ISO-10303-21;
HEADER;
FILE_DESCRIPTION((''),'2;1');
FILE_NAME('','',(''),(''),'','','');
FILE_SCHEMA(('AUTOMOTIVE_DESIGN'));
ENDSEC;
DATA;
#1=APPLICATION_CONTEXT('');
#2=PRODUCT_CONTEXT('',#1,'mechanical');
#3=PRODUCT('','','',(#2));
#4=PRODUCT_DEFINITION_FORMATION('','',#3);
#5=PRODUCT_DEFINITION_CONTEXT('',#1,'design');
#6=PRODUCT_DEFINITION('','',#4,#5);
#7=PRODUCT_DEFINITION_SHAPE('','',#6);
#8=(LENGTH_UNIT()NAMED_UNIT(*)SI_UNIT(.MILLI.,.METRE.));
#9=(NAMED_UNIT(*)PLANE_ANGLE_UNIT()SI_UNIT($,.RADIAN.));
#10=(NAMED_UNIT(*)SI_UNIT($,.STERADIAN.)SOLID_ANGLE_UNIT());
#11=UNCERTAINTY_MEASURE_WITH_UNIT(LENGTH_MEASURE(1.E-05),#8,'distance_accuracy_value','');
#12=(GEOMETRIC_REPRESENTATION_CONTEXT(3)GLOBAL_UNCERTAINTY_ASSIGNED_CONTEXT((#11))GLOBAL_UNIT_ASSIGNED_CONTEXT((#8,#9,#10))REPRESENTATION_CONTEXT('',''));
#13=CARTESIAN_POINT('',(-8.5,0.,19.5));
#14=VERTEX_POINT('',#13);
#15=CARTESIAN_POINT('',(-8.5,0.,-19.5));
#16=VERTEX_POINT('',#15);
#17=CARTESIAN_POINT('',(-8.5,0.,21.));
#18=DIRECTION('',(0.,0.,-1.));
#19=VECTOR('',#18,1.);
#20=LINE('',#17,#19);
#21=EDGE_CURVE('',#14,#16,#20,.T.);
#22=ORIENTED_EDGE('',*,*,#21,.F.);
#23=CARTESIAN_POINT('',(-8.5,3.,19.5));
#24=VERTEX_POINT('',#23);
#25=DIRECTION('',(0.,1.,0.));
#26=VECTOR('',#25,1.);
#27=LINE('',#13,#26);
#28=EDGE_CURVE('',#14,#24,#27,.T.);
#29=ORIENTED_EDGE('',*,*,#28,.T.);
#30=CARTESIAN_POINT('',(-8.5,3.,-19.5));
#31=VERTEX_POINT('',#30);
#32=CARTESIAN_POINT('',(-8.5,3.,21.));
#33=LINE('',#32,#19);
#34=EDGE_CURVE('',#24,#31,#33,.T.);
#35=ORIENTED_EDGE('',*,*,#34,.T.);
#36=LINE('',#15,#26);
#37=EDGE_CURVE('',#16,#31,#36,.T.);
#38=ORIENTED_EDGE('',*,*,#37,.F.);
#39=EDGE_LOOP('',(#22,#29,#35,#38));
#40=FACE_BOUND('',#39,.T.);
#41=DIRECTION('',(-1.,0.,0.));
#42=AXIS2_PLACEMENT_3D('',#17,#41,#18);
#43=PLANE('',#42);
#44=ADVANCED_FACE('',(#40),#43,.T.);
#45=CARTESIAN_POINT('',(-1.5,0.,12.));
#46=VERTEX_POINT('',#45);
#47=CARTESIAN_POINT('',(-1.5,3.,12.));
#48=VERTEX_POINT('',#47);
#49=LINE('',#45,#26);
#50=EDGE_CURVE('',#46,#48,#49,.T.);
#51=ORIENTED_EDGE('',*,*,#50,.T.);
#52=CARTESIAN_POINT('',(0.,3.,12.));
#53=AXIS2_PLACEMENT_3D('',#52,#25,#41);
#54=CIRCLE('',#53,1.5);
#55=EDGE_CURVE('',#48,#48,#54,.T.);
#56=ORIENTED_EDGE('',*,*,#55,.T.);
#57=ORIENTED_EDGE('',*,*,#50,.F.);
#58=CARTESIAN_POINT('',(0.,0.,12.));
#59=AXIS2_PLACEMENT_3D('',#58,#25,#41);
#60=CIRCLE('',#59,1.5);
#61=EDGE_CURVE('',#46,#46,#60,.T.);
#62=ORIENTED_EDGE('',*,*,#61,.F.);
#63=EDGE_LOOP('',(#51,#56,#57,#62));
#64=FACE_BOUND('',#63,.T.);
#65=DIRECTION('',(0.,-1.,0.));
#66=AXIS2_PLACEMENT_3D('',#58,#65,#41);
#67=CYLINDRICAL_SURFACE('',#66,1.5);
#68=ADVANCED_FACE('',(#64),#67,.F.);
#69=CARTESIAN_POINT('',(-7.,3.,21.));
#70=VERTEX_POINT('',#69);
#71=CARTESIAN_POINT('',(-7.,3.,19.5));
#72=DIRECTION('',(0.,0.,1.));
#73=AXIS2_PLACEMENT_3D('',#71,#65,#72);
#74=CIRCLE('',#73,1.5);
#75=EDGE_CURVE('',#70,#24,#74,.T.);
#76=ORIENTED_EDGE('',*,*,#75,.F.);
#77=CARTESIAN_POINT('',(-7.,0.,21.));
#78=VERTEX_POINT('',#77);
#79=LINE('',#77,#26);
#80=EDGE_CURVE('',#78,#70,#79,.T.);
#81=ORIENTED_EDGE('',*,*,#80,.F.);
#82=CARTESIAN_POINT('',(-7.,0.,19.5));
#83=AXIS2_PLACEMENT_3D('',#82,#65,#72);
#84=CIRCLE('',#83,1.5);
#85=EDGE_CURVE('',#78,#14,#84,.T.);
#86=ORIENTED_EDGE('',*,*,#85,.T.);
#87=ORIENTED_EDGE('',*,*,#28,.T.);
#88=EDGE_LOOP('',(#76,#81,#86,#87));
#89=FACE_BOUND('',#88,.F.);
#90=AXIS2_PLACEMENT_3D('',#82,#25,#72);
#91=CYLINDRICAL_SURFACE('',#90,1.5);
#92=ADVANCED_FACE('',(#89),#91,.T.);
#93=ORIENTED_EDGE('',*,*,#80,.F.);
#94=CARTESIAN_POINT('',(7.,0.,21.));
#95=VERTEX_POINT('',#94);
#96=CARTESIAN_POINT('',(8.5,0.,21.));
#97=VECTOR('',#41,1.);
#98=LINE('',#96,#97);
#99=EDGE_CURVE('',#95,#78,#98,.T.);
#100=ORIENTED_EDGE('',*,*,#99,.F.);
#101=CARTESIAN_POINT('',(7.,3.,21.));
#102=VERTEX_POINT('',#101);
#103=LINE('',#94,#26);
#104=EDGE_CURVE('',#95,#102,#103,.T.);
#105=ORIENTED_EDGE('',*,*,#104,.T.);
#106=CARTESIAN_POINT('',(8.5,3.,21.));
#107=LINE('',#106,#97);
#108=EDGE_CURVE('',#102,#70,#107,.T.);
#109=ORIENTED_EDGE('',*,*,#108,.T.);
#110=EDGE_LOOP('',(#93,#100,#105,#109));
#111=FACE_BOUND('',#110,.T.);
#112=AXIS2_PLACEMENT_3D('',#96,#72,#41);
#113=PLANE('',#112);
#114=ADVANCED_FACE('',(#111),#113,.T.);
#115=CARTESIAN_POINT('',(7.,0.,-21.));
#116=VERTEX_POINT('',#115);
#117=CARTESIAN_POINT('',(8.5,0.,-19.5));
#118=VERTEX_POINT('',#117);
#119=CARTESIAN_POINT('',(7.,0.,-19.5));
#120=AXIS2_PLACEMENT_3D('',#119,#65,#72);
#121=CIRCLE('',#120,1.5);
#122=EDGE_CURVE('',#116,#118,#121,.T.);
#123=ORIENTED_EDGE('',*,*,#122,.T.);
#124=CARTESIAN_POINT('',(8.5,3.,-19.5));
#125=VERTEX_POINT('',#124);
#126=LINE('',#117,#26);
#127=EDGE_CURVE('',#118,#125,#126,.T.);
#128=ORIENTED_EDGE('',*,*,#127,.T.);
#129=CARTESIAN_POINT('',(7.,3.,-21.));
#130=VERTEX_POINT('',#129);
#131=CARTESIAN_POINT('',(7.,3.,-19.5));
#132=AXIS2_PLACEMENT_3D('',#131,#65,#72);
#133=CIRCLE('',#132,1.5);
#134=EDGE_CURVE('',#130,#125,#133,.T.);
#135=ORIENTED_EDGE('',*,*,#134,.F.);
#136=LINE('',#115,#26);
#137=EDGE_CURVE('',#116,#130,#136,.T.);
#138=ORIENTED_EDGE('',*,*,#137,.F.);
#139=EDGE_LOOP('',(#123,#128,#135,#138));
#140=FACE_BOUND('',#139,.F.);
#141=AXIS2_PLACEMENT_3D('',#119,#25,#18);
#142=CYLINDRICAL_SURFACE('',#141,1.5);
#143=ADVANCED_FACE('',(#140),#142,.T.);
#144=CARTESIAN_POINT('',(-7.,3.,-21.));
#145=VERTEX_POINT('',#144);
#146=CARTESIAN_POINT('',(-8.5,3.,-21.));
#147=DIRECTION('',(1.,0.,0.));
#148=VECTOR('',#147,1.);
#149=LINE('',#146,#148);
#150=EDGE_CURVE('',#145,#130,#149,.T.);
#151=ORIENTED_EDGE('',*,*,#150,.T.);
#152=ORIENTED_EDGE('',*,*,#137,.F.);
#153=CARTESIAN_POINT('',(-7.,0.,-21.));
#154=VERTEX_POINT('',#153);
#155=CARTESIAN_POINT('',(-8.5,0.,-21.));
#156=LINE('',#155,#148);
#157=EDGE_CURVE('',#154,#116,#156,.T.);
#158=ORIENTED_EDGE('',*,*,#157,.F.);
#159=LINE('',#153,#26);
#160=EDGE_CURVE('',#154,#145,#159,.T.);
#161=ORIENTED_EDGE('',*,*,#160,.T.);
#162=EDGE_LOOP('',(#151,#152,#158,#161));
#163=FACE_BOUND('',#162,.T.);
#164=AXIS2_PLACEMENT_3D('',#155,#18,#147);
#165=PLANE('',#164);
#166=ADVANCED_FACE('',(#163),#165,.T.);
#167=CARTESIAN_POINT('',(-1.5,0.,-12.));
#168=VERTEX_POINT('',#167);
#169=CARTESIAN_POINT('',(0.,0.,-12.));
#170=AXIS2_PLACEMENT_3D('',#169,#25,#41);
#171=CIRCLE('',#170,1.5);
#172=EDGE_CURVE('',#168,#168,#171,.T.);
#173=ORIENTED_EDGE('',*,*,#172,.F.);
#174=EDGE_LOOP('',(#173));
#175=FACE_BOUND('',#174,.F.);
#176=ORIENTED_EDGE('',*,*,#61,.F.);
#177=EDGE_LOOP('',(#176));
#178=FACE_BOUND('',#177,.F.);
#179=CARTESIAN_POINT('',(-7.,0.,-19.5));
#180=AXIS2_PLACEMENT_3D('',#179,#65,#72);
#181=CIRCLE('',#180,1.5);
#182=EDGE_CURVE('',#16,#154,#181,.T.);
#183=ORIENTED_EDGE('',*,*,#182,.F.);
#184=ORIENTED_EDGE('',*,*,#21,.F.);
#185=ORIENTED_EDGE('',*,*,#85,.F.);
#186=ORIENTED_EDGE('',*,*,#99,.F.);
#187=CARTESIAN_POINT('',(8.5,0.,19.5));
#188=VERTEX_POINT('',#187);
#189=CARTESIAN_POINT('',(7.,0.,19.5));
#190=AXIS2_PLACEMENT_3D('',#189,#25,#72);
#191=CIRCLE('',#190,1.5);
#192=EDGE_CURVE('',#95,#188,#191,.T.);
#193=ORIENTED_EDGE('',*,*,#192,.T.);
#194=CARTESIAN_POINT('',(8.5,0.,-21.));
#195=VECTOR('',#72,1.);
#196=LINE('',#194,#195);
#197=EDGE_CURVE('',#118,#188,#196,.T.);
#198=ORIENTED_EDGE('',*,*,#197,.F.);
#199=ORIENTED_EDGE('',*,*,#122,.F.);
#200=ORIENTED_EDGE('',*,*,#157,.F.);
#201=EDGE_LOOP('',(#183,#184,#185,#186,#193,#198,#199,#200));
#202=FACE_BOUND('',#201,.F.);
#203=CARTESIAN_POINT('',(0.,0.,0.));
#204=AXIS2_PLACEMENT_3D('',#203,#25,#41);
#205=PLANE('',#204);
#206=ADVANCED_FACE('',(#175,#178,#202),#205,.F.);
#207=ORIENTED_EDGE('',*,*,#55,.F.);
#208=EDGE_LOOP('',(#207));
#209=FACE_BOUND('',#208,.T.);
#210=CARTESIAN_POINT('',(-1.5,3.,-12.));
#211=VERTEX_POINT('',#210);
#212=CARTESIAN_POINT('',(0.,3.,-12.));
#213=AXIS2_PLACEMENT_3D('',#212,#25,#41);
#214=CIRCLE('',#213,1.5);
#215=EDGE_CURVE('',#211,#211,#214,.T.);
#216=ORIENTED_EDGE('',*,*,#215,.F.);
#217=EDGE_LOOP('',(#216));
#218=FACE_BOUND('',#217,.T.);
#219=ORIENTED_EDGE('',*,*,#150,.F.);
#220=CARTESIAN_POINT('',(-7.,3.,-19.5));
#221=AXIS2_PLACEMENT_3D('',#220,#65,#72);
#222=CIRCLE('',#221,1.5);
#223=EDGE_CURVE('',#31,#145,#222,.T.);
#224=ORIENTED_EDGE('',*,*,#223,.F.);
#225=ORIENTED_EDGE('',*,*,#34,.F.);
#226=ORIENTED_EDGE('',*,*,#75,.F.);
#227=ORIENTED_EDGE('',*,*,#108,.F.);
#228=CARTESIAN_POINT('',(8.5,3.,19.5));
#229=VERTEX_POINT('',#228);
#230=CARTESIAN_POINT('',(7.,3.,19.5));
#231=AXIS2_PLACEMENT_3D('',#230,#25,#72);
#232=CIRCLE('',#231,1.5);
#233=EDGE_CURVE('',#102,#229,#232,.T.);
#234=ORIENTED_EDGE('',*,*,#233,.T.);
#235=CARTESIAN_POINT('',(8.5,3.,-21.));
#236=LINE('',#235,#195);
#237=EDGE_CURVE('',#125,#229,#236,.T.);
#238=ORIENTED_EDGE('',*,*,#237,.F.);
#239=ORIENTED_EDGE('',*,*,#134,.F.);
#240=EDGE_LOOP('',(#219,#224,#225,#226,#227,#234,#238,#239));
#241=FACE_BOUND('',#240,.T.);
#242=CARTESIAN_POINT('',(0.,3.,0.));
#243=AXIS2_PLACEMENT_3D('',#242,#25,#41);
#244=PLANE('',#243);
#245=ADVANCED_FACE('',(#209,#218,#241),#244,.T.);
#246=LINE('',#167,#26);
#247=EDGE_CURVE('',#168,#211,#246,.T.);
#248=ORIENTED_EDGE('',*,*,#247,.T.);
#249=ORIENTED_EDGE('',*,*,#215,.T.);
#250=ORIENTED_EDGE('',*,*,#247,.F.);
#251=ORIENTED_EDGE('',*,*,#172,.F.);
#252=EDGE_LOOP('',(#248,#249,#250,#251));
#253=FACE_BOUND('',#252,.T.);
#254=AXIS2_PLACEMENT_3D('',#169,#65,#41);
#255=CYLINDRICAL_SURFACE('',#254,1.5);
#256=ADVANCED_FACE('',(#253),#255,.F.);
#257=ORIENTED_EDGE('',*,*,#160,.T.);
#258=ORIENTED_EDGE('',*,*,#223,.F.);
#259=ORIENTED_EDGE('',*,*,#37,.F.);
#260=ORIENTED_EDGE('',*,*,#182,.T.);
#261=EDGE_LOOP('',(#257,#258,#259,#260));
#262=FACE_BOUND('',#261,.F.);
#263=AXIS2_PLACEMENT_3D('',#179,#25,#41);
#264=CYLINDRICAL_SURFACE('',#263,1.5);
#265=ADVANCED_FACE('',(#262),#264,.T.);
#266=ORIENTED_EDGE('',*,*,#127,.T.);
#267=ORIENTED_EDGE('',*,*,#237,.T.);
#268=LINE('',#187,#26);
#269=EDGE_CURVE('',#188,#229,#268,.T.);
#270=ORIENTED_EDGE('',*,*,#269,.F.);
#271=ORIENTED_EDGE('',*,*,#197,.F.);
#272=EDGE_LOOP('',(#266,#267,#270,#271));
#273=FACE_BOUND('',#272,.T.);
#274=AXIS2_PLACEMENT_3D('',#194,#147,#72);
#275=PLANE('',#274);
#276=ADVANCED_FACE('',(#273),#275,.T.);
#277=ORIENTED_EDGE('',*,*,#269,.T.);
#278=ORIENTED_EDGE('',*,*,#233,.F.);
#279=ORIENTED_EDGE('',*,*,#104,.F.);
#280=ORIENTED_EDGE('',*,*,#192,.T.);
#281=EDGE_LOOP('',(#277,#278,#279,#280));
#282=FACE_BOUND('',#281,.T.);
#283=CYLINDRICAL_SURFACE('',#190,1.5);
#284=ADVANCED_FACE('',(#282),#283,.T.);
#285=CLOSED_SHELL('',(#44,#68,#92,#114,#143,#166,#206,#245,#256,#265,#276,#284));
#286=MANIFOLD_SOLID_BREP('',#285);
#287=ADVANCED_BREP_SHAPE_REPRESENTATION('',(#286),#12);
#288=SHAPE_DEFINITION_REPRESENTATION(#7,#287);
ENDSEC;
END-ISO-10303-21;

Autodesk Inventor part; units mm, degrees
ref_plane "YZ Plane" through (0, 0, 0) normal (1, 0, 0) x (0, 1, 0)
ref_plane "XZ Plane" through (0, 0, 0) normal (0, 1, 0) x (-1, 0, 0)
ref_plane "XY Plane" through (0, 0, 0) normal (0, 0, 1) x (1, 0, 0)
sketch "Sketch1" plane through (0, 0, 0) normal (0, 1, 0) x (-1, 0, 0)
  line L0 (11.5, 24) -> (-11.5, 24)
  line L1 (-11.5, 24) -> (-11.5, -24)
  line L2 (-11.5, -24) -> (11.5, -24)
  line L3 (11.5, -24) -> (11.5, 24)
  line L4 (11.5, 24) -> (-11.5, -24) construction
  line L5 (-11.5, 24) -> (11.5, -24) construction
  line L6 (-8.5, 21) -> (8.5, 21)
  line L7 (8.5, 21) -> (8.5, -21)
  line L8 (8.5, -21) -> (-8.5, -21)
  line L9 (-8.5, -21) -> (-8.5, 21)
  line L10 (-8.5, 21) -> (8.5, -21) construction
  line L11 (8.5, 21) -> (-8.5, -21) construction
  line L12 (0, 0) -> (-8.5, 0) construction
  circle A0 centre (0, -12) radius 1.5
  circle A1 centre (0, 12) radius 1.5
  line L13 (17.5, 30) -> (-17.5, 30)
  line L14 (-17.5, 30) -> (-17.5, -30)
  line L15 (-17.5, -30) -> (17.5, -30)
  line L16 (17.5, -30) -> (17.5, 30)
  line L17 (17.5, 30) -> (-17.5, -30) construction
  line L18 (-17.5, 30) -> (17.5, -30) construction
  dimension "d0" = 23
  dimension "d1" = 48
  dimension "d3" = 3
  dimension "d4" = 3
  dimension "d5" = 3
  dimension "d6" = 12
  dimension "d9" = 6
  dimension "d10" = 6
extrude "Extrusion1" add sketch "Sketch1" along normal blind 3 contours L6 L7 L8 L9
fillet "Fillet1" radius 1.5 4 edges at (8.5, 1.5, 21) (8.5, 1.5, -21) (-8.5, 1.5, 21) (-8.5, 1.5, -21)
properties part number "Middle internal"
